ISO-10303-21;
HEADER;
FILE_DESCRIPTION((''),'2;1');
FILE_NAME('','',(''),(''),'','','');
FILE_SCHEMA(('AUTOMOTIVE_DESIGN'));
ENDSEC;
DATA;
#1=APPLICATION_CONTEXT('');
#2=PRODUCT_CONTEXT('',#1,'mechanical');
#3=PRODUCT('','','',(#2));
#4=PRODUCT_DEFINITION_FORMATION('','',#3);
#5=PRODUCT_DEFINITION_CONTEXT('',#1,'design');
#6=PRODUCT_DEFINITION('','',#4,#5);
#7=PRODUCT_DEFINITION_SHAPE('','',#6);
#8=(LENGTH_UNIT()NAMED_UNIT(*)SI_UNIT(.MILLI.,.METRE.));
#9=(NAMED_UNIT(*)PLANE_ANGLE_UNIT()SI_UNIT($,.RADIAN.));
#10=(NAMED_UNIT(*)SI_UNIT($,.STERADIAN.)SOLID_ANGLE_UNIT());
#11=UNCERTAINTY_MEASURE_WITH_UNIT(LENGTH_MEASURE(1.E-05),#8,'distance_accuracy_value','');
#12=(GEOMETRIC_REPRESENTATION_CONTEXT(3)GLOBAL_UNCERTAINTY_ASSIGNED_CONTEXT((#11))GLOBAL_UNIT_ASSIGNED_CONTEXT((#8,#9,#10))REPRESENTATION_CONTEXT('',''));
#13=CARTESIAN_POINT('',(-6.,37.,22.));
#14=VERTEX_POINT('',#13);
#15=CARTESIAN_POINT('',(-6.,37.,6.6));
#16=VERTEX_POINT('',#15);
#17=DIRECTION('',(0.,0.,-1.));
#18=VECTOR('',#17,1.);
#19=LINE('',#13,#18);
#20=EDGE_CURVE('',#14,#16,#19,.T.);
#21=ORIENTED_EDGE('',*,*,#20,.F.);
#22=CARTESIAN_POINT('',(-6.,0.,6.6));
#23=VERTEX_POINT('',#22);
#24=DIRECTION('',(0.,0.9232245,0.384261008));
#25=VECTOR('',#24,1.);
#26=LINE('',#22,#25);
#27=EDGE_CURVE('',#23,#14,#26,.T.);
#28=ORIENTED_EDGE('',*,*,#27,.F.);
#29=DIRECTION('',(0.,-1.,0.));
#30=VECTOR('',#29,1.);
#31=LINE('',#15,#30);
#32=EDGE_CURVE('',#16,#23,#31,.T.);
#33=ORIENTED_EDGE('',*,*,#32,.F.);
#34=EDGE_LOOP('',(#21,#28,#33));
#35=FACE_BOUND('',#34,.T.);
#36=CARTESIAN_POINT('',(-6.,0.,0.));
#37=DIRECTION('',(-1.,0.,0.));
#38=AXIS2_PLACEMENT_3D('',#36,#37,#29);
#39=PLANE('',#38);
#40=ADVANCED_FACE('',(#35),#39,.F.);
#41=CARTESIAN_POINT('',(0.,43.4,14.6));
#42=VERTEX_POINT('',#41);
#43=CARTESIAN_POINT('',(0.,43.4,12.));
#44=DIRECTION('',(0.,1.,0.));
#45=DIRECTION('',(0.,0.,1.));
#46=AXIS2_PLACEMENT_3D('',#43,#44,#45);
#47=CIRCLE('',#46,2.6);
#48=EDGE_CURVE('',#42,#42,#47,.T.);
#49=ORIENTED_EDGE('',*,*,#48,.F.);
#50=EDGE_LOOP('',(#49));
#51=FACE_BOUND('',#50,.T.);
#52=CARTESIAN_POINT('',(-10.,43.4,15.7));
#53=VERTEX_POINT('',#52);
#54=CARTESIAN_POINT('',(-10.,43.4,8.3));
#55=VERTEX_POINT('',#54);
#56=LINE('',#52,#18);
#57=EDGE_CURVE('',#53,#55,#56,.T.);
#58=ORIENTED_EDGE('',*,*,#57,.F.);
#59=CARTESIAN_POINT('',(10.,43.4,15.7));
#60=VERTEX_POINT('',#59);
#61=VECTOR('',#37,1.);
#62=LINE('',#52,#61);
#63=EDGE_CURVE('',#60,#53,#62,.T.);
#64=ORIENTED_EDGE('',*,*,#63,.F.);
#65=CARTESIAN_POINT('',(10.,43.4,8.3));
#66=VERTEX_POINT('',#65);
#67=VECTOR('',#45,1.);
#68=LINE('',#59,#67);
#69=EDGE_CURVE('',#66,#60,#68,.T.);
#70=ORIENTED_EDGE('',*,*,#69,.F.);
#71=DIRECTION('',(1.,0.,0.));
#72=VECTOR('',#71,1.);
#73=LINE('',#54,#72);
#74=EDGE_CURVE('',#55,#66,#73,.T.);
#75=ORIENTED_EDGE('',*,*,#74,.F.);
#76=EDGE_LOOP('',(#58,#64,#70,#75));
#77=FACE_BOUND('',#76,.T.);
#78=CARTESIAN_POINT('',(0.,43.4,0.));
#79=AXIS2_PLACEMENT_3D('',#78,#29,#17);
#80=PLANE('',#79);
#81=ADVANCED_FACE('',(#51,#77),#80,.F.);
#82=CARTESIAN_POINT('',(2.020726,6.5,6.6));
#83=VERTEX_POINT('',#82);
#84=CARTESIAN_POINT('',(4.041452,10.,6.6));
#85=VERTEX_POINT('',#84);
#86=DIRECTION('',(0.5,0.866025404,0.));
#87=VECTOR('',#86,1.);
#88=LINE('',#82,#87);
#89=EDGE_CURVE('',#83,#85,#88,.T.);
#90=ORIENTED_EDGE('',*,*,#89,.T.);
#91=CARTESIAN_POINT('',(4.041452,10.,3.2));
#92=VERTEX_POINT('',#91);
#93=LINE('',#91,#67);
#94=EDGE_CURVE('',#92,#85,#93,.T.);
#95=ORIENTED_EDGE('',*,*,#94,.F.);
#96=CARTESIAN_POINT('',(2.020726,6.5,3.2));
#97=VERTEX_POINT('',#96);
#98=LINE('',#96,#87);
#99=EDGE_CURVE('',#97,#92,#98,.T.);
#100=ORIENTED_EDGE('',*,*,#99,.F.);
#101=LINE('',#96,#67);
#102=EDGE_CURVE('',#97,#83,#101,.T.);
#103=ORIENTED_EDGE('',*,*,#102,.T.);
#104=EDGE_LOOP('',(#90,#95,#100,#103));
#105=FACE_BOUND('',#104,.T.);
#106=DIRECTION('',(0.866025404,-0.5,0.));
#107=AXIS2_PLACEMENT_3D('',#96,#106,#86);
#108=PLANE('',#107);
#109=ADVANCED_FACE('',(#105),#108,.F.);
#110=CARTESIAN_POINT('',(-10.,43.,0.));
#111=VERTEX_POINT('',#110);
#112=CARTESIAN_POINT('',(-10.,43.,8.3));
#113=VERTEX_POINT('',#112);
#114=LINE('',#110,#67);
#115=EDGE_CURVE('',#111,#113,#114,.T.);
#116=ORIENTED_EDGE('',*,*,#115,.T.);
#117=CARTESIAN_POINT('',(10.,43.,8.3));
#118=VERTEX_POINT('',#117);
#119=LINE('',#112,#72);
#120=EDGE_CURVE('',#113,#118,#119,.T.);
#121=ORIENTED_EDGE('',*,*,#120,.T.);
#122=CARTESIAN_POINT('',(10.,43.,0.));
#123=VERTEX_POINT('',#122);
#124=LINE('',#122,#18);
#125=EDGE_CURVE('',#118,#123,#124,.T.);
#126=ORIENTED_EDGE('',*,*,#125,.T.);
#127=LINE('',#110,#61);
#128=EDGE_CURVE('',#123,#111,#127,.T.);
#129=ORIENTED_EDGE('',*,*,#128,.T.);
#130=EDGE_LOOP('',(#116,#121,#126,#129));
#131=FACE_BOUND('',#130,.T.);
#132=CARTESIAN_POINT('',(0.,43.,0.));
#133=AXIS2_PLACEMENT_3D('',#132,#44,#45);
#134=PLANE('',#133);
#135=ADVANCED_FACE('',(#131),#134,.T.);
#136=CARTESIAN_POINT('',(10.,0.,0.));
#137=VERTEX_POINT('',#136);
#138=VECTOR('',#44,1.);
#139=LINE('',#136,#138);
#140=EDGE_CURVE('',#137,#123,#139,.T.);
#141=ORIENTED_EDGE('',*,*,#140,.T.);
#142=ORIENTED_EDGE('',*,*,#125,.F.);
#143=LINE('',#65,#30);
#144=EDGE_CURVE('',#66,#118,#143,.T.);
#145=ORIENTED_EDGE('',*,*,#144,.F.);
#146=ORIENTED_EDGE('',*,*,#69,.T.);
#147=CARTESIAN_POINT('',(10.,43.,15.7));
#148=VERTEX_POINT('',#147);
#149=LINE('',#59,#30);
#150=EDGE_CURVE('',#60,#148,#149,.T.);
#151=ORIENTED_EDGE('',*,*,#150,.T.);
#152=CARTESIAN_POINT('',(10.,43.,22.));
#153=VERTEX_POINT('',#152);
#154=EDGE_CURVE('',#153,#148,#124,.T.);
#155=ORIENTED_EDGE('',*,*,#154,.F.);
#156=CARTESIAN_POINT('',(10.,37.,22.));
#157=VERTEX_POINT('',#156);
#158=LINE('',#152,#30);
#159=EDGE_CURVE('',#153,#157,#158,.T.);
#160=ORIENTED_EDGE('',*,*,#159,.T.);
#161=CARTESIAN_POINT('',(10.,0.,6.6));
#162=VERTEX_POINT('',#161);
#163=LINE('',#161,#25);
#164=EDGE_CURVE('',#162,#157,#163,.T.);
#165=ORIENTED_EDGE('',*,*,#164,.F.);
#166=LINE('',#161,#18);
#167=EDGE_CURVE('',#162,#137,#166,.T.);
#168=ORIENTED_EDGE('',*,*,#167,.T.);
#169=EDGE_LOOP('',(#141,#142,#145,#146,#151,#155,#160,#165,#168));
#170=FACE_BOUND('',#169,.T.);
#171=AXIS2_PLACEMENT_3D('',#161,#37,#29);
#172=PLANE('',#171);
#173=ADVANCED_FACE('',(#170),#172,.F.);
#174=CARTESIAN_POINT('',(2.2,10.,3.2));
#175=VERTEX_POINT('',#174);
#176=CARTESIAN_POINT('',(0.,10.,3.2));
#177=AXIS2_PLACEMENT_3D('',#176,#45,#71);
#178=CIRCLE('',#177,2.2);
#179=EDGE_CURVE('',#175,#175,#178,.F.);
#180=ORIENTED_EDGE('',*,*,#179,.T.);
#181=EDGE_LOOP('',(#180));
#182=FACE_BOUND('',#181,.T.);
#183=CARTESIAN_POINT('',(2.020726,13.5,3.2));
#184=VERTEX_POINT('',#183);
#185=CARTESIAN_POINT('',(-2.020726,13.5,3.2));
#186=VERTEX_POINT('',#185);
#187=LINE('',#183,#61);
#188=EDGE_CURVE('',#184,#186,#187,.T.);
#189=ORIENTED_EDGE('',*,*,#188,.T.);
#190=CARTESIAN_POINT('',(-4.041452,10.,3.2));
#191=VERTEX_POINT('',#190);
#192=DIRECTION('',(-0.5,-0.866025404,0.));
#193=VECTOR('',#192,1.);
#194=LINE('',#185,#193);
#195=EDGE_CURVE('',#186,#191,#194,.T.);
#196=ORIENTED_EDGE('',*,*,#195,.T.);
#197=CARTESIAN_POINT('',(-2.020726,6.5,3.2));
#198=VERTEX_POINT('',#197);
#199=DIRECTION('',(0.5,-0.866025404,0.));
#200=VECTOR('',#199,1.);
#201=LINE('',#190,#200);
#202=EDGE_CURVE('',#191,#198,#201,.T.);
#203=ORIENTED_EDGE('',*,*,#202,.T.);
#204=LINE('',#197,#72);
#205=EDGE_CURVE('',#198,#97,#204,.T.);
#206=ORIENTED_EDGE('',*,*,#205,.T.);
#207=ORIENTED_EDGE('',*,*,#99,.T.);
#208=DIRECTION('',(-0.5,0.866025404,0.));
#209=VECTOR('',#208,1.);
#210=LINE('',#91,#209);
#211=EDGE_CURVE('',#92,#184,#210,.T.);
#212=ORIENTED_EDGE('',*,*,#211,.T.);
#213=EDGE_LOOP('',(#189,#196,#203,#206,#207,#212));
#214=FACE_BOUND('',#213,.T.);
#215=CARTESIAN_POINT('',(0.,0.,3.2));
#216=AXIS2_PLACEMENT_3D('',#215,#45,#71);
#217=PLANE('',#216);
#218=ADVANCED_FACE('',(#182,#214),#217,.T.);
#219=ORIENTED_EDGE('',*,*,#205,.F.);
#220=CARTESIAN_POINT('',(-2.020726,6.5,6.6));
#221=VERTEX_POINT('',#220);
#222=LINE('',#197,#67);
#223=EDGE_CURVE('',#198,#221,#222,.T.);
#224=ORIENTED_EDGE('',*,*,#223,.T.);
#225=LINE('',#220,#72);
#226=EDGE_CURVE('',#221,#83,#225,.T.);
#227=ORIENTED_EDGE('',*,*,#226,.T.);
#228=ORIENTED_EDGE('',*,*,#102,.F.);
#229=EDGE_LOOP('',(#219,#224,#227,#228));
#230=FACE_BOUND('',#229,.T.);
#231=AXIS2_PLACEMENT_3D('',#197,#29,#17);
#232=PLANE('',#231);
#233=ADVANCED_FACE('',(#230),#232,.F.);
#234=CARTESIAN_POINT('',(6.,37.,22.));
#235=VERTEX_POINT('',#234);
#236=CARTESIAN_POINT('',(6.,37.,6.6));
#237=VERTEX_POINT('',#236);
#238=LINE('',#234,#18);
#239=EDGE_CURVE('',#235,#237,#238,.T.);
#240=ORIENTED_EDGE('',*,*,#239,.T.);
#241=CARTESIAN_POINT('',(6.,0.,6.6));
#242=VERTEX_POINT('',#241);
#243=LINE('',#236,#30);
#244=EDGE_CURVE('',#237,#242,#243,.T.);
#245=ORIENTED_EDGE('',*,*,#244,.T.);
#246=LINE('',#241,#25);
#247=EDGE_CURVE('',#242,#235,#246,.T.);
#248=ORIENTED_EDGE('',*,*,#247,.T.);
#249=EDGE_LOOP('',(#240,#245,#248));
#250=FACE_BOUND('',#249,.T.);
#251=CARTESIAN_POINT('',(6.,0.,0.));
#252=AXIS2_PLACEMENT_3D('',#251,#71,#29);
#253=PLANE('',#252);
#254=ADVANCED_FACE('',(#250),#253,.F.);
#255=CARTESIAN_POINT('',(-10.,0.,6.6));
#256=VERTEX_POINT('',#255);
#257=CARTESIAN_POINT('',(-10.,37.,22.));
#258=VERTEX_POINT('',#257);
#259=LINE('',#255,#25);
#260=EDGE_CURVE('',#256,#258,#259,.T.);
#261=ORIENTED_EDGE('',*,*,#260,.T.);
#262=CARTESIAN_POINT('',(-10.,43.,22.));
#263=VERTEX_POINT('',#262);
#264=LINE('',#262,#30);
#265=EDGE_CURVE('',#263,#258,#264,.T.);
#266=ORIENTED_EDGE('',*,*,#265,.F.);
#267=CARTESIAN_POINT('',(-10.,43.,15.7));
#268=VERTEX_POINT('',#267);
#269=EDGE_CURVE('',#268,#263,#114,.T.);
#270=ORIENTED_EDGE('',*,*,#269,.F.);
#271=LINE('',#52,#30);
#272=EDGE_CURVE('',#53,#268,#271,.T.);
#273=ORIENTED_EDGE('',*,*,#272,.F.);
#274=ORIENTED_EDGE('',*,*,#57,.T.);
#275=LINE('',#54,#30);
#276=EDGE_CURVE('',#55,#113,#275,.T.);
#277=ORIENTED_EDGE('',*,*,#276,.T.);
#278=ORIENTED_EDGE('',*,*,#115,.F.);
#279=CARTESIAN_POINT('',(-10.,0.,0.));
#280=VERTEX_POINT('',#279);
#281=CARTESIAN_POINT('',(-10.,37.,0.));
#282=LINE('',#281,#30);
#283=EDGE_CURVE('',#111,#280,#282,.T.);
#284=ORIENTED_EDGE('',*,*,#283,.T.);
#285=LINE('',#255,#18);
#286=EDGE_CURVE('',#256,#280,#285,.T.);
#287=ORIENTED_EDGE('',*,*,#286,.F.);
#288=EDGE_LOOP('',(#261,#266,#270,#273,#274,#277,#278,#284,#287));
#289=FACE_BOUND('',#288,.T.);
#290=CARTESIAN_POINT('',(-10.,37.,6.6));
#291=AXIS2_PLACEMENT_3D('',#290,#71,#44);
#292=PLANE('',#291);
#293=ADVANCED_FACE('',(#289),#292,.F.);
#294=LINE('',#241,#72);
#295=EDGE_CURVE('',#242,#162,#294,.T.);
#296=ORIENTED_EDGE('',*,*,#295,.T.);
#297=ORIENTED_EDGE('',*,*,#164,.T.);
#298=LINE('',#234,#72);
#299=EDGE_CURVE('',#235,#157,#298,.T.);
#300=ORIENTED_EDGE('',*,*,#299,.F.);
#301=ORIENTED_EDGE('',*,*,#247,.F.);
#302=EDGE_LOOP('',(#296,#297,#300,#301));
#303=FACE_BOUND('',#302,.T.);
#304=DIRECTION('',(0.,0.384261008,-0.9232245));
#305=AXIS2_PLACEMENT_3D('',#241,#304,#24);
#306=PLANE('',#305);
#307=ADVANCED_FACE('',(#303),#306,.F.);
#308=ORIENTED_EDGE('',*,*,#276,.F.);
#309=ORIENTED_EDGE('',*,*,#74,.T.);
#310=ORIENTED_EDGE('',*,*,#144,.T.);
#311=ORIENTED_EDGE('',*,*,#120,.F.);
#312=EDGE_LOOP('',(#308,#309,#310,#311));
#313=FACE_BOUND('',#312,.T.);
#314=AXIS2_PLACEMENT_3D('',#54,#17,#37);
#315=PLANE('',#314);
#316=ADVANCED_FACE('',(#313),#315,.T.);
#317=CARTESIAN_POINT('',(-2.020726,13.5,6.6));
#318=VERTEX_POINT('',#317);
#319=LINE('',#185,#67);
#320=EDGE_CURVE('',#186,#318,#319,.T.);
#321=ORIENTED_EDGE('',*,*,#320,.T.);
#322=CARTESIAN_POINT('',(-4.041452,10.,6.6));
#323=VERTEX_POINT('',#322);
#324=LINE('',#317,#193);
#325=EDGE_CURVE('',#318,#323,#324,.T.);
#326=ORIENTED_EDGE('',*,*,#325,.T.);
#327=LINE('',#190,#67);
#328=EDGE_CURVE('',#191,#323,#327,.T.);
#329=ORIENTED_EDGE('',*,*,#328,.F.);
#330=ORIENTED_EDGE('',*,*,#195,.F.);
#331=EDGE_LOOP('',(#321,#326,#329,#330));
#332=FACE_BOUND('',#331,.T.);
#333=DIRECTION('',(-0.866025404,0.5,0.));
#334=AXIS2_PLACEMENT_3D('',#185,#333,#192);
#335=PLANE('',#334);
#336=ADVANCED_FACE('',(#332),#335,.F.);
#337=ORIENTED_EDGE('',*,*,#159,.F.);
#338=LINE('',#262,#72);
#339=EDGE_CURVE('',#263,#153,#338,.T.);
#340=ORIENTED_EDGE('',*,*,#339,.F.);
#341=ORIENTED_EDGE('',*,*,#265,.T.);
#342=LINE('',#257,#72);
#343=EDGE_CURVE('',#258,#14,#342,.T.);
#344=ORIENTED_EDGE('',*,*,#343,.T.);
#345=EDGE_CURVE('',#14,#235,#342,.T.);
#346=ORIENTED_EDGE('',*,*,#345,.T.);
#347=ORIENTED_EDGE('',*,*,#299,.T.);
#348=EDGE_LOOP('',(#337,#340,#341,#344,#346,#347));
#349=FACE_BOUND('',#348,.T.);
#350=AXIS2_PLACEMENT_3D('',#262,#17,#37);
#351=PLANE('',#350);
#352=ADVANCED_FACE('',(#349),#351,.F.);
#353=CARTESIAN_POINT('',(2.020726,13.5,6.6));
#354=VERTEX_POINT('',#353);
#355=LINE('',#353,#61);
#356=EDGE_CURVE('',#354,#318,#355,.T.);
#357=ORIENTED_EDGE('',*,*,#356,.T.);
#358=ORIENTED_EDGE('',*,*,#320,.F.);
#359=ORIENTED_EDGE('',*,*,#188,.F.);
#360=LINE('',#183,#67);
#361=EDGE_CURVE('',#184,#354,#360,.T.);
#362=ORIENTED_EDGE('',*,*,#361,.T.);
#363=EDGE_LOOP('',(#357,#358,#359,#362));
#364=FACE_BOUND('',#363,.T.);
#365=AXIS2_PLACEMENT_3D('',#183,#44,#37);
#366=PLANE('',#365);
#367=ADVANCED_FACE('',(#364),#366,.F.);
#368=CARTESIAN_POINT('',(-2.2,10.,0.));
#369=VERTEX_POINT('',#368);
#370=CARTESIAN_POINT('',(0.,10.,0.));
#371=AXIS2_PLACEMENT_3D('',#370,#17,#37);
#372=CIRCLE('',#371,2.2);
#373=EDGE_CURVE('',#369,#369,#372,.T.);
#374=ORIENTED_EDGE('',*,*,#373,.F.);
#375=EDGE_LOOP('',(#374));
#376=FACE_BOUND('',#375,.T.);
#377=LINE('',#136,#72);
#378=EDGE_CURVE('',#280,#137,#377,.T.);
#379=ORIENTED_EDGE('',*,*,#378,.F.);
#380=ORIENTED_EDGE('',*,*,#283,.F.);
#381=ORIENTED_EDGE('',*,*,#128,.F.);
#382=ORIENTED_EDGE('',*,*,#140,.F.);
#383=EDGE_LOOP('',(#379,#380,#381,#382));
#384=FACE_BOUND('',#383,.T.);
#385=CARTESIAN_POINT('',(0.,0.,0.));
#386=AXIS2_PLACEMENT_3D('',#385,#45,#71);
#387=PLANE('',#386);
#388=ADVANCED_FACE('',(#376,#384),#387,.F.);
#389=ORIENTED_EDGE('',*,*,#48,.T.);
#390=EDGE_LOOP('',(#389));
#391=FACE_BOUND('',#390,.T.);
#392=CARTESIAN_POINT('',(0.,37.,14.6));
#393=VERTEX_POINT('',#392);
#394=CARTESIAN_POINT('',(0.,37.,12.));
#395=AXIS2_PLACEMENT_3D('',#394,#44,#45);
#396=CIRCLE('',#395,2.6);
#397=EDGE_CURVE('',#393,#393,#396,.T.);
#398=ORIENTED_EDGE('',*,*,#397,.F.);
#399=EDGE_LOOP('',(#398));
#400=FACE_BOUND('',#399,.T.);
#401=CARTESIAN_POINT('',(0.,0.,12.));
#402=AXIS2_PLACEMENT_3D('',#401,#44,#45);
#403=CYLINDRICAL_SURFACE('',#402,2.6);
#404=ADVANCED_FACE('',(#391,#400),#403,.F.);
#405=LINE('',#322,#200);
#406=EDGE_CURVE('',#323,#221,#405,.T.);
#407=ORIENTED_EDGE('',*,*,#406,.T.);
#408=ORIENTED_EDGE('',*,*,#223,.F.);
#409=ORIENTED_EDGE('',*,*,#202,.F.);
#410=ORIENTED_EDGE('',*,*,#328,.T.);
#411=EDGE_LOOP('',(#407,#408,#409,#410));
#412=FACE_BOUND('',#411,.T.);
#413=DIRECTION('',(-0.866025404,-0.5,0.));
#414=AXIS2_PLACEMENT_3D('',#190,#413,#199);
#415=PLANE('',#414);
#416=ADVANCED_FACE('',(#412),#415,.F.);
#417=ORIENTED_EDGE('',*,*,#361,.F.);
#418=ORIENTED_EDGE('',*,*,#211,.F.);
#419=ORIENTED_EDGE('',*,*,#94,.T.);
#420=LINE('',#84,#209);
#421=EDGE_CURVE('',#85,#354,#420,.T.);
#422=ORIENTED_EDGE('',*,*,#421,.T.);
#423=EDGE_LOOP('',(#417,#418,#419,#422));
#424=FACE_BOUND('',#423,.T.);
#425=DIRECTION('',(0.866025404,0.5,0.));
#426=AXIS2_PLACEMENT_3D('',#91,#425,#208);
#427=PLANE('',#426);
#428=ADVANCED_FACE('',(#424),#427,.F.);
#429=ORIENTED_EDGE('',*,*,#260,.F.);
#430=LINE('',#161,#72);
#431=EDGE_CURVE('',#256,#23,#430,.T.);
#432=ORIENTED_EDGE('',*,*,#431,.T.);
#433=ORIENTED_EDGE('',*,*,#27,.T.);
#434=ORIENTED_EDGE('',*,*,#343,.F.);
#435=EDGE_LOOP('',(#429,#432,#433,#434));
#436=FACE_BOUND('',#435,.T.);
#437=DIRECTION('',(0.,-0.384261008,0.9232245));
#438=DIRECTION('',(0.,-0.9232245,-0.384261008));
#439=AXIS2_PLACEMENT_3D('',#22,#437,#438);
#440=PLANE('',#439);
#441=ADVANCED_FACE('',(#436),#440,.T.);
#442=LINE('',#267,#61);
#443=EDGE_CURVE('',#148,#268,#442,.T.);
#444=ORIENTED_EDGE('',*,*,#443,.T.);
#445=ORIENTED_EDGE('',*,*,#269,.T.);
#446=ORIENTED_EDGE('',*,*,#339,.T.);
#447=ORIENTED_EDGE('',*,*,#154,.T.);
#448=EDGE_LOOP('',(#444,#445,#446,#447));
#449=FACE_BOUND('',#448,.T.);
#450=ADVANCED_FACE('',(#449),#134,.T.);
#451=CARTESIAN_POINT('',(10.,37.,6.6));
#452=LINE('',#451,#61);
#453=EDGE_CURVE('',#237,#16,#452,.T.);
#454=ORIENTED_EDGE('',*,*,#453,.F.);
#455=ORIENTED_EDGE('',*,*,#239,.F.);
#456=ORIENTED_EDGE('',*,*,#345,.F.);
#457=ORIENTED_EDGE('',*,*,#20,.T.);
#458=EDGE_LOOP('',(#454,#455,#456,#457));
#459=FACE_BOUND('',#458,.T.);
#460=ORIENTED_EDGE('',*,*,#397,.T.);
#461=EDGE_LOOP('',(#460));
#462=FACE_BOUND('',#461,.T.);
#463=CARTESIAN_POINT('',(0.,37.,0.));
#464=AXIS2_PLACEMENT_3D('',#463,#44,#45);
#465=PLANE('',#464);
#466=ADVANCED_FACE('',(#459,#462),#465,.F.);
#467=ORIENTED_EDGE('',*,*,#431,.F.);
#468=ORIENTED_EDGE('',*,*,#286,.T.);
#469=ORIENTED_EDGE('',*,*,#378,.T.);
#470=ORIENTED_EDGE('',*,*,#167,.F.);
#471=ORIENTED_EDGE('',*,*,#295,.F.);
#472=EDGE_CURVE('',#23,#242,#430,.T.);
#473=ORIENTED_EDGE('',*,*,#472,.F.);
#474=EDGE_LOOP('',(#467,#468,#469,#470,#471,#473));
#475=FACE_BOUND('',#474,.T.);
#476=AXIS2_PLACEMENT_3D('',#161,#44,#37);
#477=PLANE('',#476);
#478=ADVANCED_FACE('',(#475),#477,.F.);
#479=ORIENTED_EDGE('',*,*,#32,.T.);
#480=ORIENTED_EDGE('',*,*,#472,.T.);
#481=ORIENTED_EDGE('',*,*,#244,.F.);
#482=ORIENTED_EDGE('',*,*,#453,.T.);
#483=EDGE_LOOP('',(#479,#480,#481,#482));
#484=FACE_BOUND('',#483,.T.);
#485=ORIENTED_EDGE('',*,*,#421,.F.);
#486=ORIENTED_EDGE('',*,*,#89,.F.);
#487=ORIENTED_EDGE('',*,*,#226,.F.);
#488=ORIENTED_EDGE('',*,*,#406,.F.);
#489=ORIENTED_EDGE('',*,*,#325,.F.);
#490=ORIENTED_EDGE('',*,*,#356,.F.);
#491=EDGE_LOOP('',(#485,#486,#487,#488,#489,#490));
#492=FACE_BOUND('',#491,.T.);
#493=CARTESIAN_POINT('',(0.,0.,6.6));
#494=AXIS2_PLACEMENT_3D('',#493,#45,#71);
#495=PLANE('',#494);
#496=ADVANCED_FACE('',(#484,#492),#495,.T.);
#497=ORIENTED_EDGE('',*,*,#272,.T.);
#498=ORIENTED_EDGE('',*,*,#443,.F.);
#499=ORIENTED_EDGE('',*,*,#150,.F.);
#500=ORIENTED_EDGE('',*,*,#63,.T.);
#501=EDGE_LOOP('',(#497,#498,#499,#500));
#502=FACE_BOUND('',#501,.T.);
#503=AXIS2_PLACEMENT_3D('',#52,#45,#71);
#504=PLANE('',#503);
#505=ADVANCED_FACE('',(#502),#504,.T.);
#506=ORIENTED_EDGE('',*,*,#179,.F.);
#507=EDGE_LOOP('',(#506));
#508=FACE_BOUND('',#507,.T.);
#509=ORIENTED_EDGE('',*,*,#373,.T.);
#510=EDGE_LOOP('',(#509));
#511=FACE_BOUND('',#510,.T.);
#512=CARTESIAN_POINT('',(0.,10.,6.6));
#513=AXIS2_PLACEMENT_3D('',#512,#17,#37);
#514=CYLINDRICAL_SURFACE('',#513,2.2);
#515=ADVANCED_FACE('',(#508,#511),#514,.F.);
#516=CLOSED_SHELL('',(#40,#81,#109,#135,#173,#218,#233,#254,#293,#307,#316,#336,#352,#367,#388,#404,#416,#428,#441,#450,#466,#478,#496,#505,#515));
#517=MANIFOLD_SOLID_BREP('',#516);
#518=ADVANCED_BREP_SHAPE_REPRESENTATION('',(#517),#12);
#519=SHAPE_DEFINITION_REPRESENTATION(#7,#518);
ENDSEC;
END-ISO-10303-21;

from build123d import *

# Parameters (mm, degrees)
SKETCH_3_W          = 20
SKETCH_3_H          = 37
EXTRUDE_2_DEPTH     = 6.6
SKETCH_10_R         = 2.2
CUT_EXTRUDE_3_DEPTH = 39.891644347
CUT_EXTRUDE_2_DEPTH = 3.4
SKETCH_11_W         = 20
SKETCH_11_H         = 22
EXTRUDE_5_DEPTH     = 6
SKETCH_9_W          = 20
SKETCH_9_H          = 7.4
EXTRUDE_4_DEPTH     = 0.4
SKETCH_13_R         = 2.6
CUT_EXTRUDE_4_DEPTH = 50.674540763
EXTRUDE_6_DEPTH     = 4


with BuildPart() as part:
    # Эскиз3 → Бобышка-Вытянуть2 (new body)
    with BuildSketch(Plane.XY):
        with Locations((0, 18.5)):
            Rectangle(SKETCH_3_W, SKETCH_3_H)
    extrude(amount=EXTRUDE_2_DEPTH)

    # Эскиз10 → Вырез-Вытянуть3 (cut, through all)
    with BuildSketch(Plane(origin=(0, 0, 0), x_dir=(-1, 0, 0), z_dir=(0, 0, -1))):
        with Locations((0, 10)):
            Circle(SKETCH_10_R)
    extrude(amount=-CUT_EXTRUDE_3_DEPTH, mode=Mode.SUBTRACT)

    # Эскиз6 → Вырез-Вытянуть2 (cut)
    with BuildSketch(Plane.XY.offset(6.6)):
        Polygon((4.041451884, 10), (2.020725942, 13.5), (-2.020725942, 13.5), (-4.041451884, 10), (-2.020725942, 6.5), (2.020725942, 6.5), align=None)
    extrude(amount=-CUT_EXTRUDE_2_DEPTH, mode=Mode.SUBTRACT)

    # Эскиз11 → Бобышка-Вытянуть5 (add)
    with BuildSketch(Plane(origin=(0, 37, 0), x_dir=(1, 0, 0), z_dir=(0, 1, 0))):
        with Locations((0, -11)):
            Rectangle(SKETCH_11_W, SKETCH_11_H)
    extrude(amount=EXTRUDE_5_DEPTH)

    # Эскиз9 → Бобышка-Вытянуть4 (add)
    with BuildSketch(Plane(origin=(0, 43, -43.4), x_dir=(1, 0, 0), z_dir=(0, -1, 0))):
        with Locations((0, 55.4)):
            Rectangle(SKETCH_9_W, SKETCH_9_H)
    extrude(amount=-EXTRUDE_4_DEPTH)

    # Эскиз13 → Вырез-Вытянуть4 (cut, through all)
    with BuildSketch(Plane(origin=(0, 43.4, 0), x_dir=(1, 0, 0), z_dir=(0, 1, 0))):
        with Locations(Location((0, -12, 0), (0, 0, 270))):
            Circle(SKETCH_13_R)
    extrude(amount=-CUT_EXTRUDE_4_DEPTH, mode=Mode.SUBTRACT)

    # Эскиз17 → Бобышка-Вытянуть6 (add)
    with BuildSketch(Plane.ZY.offset(10)):
        Polygon((22, 37), (6.6, 37), (6.6, 0), align=None)
    extrude_6 = extrude(amount=-EXTRUDE_6_DEPTH)

    # Зеркальное отражение1: Бобышка-Вытянуть6 across plane
    add(extrude_6.mirror(Plane(origin=(0, 0, 0), x_dir=(0, 0, 1), z_dir=(1, 0, 0))))


solid = part.part
